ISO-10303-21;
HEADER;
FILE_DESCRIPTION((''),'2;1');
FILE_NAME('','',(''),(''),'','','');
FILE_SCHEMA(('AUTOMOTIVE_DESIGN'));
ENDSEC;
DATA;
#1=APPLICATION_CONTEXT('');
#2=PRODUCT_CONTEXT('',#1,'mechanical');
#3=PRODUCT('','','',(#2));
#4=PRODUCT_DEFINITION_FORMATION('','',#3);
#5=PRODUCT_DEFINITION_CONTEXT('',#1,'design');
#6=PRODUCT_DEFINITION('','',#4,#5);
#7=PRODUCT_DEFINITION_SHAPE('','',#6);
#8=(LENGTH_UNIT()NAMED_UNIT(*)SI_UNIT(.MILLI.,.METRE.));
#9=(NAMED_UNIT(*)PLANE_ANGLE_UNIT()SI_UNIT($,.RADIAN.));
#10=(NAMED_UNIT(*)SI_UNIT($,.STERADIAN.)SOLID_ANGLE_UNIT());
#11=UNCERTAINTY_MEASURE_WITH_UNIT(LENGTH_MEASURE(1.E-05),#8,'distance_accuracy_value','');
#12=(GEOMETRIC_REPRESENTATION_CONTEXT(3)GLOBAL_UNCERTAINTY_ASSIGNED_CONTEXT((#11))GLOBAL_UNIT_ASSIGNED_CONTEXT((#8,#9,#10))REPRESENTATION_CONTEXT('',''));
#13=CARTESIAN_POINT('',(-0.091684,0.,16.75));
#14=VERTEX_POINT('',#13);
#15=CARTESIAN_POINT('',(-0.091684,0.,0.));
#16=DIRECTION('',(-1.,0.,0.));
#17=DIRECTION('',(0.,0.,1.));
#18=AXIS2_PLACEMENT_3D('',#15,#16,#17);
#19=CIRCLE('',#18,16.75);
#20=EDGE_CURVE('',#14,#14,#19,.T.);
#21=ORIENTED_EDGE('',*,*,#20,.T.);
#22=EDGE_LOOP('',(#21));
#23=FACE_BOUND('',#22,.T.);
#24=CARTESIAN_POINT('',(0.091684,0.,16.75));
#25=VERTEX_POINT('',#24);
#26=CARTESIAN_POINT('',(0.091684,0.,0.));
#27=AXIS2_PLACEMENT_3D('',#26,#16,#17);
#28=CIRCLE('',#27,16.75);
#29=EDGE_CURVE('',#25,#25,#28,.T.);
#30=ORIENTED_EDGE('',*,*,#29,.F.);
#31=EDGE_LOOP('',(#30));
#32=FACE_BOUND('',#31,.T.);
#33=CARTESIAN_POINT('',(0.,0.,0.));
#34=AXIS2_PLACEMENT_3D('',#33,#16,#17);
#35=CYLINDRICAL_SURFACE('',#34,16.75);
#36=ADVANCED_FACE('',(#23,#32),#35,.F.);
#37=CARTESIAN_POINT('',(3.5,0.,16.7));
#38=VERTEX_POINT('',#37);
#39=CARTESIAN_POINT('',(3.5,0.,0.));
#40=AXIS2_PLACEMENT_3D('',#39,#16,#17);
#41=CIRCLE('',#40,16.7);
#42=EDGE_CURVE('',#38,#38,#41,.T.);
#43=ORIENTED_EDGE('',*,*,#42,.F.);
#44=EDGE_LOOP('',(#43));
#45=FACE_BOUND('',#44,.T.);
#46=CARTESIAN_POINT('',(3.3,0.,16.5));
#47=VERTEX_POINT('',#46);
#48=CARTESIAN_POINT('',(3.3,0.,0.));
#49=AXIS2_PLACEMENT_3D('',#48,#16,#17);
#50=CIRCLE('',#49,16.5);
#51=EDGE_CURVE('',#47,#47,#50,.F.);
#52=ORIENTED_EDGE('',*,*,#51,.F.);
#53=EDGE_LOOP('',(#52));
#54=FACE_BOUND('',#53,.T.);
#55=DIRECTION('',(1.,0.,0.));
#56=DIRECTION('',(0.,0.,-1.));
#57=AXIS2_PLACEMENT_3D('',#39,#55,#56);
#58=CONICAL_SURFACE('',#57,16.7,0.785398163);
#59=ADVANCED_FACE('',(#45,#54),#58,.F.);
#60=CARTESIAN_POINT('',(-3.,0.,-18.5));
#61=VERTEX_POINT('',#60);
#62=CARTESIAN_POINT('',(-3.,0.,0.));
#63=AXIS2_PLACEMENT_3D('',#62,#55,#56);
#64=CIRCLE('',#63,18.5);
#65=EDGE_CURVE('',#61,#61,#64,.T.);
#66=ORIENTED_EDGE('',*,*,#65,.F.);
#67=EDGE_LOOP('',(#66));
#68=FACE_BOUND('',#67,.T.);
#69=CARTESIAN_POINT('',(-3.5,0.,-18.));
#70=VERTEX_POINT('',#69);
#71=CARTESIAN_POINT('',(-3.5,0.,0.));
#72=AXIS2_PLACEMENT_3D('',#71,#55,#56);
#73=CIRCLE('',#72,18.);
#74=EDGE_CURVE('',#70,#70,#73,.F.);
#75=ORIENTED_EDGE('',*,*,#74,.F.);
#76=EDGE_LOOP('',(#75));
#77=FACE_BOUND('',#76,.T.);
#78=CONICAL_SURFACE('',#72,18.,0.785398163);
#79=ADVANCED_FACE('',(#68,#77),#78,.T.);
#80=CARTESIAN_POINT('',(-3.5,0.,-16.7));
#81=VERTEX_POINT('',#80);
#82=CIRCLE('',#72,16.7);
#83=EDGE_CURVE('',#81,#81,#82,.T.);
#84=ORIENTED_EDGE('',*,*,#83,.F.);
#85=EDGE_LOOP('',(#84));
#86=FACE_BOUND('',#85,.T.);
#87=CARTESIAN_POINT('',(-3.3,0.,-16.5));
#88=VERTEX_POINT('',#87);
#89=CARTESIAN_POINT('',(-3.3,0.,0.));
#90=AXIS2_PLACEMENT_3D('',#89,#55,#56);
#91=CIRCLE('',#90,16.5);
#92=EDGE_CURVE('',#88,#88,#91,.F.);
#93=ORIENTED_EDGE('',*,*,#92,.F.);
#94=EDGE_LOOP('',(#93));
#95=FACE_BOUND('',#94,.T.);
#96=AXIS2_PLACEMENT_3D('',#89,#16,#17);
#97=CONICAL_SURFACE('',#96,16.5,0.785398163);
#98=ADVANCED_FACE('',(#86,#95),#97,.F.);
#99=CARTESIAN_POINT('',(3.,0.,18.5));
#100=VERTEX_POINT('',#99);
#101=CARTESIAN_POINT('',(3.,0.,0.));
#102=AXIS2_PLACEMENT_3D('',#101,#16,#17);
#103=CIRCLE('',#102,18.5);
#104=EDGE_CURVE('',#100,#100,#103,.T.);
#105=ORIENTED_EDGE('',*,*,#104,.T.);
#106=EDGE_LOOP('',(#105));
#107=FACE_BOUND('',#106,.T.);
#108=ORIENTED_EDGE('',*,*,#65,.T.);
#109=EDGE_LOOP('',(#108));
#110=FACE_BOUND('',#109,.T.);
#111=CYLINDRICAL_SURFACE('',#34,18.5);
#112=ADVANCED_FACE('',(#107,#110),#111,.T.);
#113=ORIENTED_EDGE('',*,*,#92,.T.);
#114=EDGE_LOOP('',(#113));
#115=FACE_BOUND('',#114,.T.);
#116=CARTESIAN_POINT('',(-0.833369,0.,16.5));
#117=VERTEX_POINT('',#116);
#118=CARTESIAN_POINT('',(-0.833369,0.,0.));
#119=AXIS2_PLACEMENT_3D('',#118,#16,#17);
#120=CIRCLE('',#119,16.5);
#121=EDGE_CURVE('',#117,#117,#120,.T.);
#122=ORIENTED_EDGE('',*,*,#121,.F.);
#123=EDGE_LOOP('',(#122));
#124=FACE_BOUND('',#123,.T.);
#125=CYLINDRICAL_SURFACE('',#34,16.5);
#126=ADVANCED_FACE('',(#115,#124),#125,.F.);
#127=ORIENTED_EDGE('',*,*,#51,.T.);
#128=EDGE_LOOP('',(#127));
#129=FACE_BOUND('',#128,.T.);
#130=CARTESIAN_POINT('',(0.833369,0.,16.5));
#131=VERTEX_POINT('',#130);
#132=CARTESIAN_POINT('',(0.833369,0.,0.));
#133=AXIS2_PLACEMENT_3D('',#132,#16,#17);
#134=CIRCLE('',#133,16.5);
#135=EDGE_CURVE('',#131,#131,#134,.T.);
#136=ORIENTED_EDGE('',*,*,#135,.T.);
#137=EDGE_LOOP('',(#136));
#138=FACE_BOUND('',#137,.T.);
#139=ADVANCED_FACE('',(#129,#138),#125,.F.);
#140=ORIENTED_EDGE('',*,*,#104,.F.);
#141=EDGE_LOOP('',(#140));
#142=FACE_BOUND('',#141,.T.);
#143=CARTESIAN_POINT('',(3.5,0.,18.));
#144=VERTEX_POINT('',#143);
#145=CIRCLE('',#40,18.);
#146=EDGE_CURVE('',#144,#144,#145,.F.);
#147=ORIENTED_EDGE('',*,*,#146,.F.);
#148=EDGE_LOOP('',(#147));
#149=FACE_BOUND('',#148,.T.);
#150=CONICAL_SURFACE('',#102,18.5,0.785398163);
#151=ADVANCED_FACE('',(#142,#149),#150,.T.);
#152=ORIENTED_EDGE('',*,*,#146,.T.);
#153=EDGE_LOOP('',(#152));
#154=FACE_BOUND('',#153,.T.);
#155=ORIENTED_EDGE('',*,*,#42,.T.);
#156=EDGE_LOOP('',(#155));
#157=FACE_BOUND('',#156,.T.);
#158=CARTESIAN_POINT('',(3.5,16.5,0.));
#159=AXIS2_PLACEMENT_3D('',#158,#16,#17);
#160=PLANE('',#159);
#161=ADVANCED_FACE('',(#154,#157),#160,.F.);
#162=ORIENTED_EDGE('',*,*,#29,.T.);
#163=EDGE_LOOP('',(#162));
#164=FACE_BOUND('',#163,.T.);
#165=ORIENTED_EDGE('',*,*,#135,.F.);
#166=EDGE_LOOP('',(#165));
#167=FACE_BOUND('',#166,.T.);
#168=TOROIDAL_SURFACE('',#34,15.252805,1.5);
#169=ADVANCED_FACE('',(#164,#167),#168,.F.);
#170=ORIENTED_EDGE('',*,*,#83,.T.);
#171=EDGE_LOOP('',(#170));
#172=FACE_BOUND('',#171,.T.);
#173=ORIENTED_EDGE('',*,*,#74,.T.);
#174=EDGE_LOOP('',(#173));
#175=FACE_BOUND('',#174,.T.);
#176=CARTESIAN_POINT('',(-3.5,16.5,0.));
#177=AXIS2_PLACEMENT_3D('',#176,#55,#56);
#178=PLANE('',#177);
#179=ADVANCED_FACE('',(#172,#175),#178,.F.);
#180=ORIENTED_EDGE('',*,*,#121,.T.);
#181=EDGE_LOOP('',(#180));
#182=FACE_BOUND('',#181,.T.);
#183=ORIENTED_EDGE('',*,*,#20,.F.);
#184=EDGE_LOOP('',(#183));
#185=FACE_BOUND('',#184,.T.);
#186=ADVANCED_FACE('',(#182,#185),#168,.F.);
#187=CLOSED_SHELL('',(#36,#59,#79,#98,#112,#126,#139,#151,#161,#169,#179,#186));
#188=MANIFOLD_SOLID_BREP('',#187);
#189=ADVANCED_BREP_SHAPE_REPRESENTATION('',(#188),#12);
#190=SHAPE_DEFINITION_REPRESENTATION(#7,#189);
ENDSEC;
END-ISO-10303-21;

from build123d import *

# Parameters (mm, degrees)
CHAMFER_1_SIZE = 0.5
CHAMFER_2_SIZE = 0.2


with BuildPart() as part:
    # Эскиз1 → Повернуть1 (revolve)
    with BuildSketch(Plane.XY, mode=Mode.PRIVATE) as revolve_1_sk:
        with BuildLine():
            Line((0.833368845, 16.5), (3.5, 16.5))
            Line((3.5, 16.5), (3.5, 18.5))
            Line((3.5, 18.5), (-3.5, 18.5))
            Line((-3.5, 18.5), (-3.5, 16.5))
            Line((-3.5, 16.5), (-0.833368845, 16.5))
            ThreePointArc((-0.833368845, 16.5), (-0.47911964, 16.67422796), (-0.091683865, 16.75))
            Line((-0.091683865, 16.75), (0.091683865, 16.75))
            ThreePointArc((0.091683865, 16.75), (0.47911964, 16.67422796), (0.833368845, 16.5))
        make_face()
    revolve(revolve_1_sk.sketch.rotate(Axis((0, 0, 0), (1, 0, 0)), 90), axis=Axis((0, 0, 0), (1, 0, 0)))

    # Фаска1
    chamfer_1_edges = [part.edges().sort_by_distance(p)[0] for p in [
        (-3.5, 0, -18.5),
        (3.5, 0, -18.5),
    ]]
    chamfer(chamfer_1_edges, length=CHAMFER_1_SIZE)

    # Фаска2
    chamfer_2_edges = [part.edges().sort_by_distance(p)[0] for p in [
        (3.5, 0, -16.5),
        (-3.5, 0, -16.5),
    ]]
    chamfer(chamfer_2_edges, length=CHAMFER_2_SIZE)


solid = part.part
